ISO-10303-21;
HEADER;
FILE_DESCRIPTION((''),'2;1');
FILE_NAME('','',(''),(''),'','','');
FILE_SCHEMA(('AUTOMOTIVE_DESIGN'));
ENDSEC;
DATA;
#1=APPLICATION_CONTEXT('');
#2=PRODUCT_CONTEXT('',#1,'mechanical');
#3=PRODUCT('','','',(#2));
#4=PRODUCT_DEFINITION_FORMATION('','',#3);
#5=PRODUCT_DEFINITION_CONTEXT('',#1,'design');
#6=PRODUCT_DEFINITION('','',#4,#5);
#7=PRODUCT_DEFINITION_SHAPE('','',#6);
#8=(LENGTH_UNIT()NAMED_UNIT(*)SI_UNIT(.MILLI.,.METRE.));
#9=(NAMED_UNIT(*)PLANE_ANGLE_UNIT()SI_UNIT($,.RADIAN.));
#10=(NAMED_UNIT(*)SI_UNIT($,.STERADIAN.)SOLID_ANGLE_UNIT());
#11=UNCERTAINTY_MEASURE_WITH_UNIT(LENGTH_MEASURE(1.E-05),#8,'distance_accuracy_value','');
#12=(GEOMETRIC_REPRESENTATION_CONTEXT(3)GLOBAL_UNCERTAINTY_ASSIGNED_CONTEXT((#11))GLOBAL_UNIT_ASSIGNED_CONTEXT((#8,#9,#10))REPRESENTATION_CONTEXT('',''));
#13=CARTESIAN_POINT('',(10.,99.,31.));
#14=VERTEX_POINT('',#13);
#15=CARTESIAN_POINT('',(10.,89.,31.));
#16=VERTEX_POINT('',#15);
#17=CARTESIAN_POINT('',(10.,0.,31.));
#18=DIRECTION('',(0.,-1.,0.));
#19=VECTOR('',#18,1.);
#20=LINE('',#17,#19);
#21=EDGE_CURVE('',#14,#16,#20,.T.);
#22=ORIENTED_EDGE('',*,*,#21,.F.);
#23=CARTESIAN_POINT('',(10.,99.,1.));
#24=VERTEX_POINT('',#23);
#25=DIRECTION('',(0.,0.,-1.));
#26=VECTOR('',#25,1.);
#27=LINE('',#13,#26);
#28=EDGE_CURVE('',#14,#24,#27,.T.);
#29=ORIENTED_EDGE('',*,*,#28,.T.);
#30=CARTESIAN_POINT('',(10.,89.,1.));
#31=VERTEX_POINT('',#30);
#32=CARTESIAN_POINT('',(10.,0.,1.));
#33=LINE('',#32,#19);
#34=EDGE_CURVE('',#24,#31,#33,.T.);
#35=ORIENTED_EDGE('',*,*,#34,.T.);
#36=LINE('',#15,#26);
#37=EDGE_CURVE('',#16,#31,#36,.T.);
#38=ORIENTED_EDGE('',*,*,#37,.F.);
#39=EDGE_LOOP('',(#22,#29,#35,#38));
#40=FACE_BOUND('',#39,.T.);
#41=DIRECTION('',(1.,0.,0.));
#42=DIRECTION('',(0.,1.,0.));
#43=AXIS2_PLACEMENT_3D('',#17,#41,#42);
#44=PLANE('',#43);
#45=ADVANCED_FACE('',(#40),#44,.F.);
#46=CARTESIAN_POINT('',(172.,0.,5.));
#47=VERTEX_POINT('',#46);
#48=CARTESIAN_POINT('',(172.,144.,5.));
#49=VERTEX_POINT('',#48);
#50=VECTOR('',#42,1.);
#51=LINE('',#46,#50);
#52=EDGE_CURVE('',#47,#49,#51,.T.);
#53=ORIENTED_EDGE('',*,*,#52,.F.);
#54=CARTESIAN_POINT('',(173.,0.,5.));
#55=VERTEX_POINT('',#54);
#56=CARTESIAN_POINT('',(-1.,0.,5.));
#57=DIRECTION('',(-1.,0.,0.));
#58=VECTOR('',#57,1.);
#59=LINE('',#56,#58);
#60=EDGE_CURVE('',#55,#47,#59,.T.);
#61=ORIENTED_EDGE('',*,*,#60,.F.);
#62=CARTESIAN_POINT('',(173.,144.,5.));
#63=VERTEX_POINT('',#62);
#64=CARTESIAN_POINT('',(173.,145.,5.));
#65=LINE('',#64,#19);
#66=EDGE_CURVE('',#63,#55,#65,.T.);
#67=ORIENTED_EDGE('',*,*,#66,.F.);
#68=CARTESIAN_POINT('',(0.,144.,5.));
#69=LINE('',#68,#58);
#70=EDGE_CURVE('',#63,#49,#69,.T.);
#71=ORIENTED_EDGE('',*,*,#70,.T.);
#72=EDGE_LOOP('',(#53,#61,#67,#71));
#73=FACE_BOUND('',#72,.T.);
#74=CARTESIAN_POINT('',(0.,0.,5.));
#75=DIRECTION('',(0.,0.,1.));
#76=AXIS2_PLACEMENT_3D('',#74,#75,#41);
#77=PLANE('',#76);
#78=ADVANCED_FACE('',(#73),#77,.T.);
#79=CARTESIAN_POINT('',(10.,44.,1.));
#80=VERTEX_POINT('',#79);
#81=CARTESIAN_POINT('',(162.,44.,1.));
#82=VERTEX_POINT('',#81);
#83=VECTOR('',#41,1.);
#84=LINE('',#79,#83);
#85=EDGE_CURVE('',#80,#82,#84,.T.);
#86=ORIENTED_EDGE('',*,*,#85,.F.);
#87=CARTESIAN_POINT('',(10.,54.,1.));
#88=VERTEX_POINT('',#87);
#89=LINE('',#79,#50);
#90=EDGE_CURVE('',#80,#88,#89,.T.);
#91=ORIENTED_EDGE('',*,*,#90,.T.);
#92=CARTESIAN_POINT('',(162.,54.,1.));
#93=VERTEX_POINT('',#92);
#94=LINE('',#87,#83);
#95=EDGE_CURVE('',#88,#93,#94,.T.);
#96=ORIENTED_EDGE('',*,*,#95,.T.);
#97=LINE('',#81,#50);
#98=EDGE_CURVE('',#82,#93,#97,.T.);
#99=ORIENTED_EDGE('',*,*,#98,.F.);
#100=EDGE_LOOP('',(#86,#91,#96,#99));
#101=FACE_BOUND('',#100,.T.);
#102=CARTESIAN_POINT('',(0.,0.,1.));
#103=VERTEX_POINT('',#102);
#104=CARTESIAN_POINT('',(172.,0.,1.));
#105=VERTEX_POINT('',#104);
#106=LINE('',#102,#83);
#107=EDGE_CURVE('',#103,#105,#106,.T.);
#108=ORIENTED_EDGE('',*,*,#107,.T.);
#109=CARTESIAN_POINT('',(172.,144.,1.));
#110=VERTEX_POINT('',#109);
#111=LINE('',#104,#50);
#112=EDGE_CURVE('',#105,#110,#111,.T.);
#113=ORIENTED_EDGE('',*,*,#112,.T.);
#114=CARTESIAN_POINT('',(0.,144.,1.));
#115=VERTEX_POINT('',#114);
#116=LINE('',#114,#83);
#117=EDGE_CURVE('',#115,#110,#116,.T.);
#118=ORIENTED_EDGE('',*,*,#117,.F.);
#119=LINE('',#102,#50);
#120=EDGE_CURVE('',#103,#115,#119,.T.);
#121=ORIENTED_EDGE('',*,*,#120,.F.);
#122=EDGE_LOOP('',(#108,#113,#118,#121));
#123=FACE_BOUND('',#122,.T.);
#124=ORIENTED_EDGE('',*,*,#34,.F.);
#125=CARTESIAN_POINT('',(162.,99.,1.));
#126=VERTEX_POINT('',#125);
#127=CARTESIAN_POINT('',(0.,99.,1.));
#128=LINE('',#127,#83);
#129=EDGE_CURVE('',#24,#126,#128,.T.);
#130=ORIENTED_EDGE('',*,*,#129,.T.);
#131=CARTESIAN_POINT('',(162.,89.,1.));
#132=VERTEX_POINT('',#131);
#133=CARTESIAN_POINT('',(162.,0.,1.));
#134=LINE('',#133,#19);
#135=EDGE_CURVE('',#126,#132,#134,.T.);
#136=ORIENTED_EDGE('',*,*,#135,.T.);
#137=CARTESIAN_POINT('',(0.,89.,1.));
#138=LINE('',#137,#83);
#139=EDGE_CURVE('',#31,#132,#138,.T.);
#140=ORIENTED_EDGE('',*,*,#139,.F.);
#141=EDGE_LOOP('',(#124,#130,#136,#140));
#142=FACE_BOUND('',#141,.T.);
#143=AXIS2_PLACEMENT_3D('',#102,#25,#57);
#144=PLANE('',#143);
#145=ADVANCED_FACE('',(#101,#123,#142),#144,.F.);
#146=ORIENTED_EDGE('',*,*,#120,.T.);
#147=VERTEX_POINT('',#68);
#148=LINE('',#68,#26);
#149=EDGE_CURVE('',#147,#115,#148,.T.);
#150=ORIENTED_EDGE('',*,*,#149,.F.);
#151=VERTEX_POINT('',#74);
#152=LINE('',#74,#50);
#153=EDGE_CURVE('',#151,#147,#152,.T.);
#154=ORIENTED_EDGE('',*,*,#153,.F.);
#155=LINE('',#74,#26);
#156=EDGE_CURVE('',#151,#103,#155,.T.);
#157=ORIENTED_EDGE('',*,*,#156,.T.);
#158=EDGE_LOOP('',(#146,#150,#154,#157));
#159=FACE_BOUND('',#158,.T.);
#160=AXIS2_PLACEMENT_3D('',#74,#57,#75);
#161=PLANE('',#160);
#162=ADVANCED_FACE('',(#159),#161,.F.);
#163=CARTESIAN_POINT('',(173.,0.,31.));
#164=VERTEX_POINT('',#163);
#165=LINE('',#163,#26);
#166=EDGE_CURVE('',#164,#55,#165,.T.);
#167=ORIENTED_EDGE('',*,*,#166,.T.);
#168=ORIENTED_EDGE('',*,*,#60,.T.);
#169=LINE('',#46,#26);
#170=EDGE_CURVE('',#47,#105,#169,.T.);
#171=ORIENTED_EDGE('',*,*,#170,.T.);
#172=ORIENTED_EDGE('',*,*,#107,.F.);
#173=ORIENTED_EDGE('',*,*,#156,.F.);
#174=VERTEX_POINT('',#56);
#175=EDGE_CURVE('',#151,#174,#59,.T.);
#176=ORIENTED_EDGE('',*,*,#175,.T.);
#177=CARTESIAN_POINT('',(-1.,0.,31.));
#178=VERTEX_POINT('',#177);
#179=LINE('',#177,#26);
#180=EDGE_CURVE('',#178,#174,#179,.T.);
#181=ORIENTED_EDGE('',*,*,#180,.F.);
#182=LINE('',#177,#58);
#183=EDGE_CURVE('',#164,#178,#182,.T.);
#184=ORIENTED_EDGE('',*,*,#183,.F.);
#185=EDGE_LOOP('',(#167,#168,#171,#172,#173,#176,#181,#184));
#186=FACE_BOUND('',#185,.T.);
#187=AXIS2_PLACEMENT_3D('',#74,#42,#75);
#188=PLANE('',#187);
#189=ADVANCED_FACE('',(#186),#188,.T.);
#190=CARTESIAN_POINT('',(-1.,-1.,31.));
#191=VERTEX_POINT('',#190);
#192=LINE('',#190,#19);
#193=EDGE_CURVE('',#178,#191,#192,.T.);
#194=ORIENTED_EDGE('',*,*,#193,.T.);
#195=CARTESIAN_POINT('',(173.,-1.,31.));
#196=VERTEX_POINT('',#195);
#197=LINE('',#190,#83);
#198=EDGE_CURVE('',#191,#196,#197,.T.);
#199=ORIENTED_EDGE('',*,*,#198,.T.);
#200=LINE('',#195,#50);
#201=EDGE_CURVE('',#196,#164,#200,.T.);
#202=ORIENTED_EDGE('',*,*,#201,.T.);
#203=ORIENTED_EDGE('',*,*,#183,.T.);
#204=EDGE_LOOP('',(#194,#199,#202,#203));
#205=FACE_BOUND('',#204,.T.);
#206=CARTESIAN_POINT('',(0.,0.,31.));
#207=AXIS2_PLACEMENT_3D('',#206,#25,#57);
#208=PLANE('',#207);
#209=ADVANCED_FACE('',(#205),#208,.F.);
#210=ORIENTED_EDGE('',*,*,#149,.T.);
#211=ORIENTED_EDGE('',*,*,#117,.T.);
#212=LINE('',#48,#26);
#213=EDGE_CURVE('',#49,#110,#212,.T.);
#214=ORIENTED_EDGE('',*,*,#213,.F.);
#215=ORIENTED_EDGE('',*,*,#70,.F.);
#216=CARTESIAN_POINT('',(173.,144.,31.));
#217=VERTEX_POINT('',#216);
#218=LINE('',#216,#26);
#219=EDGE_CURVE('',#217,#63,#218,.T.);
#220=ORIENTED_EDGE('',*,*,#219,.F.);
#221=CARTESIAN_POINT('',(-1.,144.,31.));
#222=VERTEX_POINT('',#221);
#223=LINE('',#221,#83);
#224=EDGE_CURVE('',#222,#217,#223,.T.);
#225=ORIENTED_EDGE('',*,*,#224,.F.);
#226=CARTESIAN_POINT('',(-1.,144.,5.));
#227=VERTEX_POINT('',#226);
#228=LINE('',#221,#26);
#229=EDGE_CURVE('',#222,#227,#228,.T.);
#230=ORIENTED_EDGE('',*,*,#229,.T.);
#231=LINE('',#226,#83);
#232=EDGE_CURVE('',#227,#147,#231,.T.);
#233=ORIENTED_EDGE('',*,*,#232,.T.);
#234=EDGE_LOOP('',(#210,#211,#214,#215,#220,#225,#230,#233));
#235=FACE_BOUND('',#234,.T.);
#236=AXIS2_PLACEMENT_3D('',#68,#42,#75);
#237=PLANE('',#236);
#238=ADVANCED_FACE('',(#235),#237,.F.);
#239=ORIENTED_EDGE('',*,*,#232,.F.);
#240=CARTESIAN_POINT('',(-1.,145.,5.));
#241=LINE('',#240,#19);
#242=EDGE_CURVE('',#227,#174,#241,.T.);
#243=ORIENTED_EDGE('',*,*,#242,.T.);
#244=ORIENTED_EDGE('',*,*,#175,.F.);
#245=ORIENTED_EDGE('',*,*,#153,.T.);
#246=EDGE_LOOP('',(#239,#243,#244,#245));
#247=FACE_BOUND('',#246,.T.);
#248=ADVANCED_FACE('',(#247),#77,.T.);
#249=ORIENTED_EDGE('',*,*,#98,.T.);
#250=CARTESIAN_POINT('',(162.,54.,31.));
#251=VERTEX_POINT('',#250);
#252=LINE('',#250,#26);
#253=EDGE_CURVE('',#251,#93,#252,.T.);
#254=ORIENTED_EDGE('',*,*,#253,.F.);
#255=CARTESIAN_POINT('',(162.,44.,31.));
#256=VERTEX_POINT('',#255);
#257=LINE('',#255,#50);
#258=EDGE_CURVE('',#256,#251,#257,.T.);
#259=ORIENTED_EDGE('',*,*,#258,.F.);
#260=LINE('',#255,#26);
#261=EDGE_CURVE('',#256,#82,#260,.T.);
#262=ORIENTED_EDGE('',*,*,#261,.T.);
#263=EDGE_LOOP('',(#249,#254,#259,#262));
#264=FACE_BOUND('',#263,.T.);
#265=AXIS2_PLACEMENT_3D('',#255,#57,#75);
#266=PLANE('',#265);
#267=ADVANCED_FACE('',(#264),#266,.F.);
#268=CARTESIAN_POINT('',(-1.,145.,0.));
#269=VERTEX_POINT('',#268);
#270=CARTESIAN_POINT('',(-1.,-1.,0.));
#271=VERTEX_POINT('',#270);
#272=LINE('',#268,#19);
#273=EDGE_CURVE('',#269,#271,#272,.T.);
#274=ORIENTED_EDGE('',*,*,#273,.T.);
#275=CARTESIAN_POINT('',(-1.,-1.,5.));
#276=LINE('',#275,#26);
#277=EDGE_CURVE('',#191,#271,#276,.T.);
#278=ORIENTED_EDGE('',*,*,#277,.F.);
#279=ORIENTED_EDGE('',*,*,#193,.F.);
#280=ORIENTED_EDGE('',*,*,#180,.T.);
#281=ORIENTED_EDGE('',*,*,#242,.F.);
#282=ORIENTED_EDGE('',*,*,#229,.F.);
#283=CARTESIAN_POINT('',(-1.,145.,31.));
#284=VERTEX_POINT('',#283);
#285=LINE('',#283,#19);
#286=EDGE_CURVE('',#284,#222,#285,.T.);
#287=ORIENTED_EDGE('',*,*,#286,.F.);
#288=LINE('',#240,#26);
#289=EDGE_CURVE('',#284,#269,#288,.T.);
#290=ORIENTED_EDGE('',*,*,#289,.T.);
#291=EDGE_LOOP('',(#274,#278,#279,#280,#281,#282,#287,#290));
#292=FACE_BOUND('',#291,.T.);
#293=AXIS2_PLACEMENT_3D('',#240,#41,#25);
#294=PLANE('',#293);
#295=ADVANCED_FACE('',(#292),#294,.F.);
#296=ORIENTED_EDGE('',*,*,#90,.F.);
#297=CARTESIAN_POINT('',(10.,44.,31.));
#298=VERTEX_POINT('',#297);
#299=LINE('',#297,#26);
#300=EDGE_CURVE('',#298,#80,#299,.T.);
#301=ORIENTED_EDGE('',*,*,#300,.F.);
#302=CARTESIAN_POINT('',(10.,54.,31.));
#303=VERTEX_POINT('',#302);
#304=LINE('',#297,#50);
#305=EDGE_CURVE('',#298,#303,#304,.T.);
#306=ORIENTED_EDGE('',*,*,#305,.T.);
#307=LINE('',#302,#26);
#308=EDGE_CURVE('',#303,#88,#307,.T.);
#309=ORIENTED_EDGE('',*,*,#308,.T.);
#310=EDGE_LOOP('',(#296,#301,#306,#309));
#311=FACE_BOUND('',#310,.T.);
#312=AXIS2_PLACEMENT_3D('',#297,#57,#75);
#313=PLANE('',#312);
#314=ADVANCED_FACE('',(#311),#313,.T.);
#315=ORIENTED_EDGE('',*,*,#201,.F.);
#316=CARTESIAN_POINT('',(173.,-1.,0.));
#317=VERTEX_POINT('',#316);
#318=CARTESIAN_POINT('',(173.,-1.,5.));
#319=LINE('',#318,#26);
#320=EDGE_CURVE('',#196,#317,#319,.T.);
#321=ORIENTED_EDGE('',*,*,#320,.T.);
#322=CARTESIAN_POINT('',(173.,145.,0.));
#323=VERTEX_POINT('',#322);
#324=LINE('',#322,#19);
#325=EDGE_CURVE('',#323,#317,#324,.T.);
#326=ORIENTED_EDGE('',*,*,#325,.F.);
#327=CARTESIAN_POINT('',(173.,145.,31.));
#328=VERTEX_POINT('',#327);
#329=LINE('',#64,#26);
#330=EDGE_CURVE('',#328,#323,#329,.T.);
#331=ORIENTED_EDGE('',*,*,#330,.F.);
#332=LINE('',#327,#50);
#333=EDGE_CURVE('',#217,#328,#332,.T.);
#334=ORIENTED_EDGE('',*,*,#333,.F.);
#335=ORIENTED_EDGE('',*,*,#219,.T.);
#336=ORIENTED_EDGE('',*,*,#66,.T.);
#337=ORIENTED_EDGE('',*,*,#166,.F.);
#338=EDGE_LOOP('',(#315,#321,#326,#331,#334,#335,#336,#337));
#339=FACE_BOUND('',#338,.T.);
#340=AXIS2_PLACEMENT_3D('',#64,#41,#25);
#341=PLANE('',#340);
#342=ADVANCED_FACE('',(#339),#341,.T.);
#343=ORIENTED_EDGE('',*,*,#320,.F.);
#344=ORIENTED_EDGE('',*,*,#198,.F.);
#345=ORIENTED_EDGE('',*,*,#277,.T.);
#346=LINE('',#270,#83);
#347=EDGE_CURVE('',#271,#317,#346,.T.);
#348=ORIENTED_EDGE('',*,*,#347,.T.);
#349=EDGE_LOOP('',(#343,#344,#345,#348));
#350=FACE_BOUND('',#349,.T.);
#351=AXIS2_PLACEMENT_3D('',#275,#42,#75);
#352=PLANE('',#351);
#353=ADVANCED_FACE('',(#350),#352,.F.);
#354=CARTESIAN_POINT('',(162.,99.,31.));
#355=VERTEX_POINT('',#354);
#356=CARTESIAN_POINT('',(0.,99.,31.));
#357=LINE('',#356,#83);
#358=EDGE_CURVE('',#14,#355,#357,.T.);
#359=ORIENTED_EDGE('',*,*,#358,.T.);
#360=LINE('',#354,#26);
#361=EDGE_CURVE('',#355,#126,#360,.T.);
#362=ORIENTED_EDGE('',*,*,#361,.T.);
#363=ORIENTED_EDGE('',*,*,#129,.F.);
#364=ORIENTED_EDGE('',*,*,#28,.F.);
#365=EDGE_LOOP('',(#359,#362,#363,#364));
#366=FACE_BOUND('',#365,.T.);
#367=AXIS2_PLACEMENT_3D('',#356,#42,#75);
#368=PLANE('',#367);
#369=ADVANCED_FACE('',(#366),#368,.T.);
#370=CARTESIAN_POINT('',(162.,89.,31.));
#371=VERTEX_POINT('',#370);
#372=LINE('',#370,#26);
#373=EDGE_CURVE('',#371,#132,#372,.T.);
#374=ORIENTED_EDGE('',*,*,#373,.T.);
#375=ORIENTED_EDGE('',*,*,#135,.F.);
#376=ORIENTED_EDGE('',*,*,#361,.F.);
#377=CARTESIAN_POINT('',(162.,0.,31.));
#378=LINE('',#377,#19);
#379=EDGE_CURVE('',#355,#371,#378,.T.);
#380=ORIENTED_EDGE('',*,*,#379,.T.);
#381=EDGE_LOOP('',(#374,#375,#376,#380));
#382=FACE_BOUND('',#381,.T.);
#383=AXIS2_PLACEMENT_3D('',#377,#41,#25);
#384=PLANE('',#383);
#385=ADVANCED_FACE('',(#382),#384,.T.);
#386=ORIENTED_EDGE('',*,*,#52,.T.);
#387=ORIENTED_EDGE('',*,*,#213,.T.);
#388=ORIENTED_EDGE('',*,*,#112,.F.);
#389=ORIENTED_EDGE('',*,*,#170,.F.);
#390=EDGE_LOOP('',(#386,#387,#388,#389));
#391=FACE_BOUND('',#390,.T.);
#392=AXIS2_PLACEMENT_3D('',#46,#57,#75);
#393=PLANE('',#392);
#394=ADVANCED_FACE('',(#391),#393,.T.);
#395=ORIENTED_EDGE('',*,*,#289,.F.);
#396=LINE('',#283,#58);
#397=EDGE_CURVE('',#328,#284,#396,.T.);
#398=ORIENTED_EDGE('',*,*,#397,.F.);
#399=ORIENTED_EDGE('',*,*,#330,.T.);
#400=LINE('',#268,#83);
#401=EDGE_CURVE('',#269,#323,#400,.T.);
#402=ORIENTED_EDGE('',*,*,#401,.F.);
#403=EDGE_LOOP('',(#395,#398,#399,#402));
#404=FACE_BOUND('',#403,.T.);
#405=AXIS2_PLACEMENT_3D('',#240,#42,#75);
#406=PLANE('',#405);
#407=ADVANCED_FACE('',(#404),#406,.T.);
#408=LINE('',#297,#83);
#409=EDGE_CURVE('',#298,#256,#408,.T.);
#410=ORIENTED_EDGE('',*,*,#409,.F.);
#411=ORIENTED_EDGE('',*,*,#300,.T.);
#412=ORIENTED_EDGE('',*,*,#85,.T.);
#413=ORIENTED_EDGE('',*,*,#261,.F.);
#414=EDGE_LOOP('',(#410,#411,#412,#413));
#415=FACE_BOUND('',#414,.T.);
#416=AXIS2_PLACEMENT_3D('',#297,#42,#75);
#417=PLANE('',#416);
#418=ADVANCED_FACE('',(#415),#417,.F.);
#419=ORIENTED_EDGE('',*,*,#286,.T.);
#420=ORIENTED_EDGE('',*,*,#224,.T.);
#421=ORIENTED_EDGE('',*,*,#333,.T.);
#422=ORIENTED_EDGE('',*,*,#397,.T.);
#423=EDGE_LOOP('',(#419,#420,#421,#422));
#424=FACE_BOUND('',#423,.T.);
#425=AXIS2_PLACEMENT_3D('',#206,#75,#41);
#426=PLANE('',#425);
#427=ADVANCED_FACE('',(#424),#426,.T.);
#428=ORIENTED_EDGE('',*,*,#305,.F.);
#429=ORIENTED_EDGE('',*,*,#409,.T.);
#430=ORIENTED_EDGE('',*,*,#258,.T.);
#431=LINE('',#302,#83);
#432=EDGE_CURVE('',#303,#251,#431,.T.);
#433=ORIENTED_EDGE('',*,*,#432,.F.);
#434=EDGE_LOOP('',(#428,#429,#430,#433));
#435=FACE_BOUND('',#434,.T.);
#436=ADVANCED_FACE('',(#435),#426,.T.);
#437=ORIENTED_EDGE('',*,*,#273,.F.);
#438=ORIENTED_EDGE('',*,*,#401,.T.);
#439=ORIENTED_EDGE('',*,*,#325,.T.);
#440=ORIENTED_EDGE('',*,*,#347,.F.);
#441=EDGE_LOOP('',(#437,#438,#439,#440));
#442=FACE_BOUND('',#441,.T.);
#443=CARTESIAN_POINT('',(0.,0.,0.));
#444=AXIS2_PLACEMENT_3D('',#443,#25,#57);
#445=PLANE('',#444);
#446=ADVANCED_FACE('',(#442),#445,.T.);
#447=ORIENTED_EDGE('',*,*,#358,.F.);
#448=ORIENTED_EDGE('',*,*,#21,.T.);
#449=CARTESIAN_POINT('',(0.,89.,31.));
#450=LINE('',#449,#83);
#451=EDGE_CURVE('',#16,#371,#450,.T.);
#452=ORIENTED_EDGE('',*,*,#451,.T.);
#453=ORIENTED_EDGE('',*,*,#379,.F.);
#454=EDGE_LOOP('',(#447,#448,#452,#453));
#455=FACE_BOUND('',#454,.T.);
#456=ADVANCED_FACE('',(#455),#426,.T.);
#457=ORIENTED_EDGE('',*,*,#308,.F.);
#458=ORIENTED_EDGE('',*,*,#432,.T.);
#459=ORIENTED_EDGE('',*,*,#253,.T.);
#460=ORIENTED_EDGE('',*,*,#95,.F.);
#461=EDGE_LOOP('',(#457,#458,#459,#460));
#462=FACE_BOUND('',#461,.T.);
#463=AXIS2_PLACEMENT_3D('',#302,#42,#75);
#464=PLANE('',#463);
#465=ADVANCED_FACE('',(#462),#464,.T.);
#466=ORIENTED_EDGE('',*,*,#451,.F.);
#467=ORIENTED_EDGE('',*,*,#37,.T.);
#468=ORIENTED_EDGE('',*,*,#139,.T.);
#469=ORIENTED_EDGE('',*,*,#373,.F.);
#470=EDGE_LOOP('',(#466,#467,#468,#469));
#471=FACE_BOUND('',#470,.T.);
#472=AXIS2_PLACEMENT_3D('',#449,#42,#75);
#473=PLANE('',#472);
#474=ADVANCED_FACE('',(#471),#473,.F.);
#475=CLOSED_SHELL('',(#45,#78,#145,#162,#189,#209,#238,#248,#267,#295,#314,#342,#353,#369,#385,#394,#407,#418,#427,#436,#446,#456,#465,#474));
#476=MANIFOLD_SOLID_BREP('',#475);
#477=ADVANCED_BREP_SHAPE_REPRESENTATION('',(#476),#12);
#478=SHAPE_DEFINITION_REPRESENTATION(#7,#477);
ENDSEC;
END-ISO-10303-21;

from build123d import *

# Parameters (mm, degrees)
SZKIC1_W                    = 172
SZKIC1_H                    = 144
DODANIE_WYCI_GNI_CIE1_DEPTH = 1
SZKIC1_3_W                  = 174
SZKIC1_3_H                  = 146
SZKIC1_3_W_2                = 172
SZKIC1_3_H_2                = 144
DODANIE_WYCI_GNI_CIE2_DEPTH = 5
SZKIC2_W                    = 152
SZKIC2_H                    = 10
DODANIE_WYCI_GNI_CIE4_DEPTH = 30
SZKIC4_W                    = 174
SZKIC4_H                    = 1
DODANIE_WYCI_GNI_CIE5_DEPTH = 26


with BuildPart() as part:
    # Szkic1 → Dodanie-wyciągnięcie1 (new body)
    with BuildSketch(Plane.XY):
        with Locations((86, 72)):
            Rectangle(SZKIC1_W, SZKIC1_H)
    extrude(amount=DODANIE_WYCI_GNI_CIE1_DEPTH)

    # Szkic1<3> → Dodanie-wyciągnięcie2 (add)
    with BuildSketch(Plane.XY):
        with Locations((86, 72)):
            Rectangle(SZKIC1_3_W, SZKIC1_3_H)
        with Locations((86, 72)):
            Rectangle(SZKIC1_3_W_2, SZKIC1_3_H_2, mode=Mode.SUBTRACT)
    extrude(amount=DODANIE_WYCI_GNI_CIE2_DEPTH)

    # Szkic2 → Dodanie-wyciągnięcie4 (add)
    with BuildSketch(Plane.XY.offset(1)):
        with Locations((86, 49)):
            Rectangle(SZKIC2_W, SZKIC2_H)
        with Locations((86, 94)):
            Rectangle(SZKIC2_W, SZKIC2_H)
    extrude(amount=DODANIE_WYCI_GNI_CIE4_DEPTH)

    # Szkic4 → Dodanie-wyciągnięcie5 (add)
    with BuildSketch(Plane.XY.offset(5)):
        with Locations((86, -0.5)):
            Rectangle(SZKIC4_W, SZKIC4_H)
        with Locations((86, 144.5)):
            Rectangle(SZKIC4_W, SZKIC4_H)
    extrude(amount=DODANIE_WYCI_GNI_CIE5_DEPTH)


solid = part.part
